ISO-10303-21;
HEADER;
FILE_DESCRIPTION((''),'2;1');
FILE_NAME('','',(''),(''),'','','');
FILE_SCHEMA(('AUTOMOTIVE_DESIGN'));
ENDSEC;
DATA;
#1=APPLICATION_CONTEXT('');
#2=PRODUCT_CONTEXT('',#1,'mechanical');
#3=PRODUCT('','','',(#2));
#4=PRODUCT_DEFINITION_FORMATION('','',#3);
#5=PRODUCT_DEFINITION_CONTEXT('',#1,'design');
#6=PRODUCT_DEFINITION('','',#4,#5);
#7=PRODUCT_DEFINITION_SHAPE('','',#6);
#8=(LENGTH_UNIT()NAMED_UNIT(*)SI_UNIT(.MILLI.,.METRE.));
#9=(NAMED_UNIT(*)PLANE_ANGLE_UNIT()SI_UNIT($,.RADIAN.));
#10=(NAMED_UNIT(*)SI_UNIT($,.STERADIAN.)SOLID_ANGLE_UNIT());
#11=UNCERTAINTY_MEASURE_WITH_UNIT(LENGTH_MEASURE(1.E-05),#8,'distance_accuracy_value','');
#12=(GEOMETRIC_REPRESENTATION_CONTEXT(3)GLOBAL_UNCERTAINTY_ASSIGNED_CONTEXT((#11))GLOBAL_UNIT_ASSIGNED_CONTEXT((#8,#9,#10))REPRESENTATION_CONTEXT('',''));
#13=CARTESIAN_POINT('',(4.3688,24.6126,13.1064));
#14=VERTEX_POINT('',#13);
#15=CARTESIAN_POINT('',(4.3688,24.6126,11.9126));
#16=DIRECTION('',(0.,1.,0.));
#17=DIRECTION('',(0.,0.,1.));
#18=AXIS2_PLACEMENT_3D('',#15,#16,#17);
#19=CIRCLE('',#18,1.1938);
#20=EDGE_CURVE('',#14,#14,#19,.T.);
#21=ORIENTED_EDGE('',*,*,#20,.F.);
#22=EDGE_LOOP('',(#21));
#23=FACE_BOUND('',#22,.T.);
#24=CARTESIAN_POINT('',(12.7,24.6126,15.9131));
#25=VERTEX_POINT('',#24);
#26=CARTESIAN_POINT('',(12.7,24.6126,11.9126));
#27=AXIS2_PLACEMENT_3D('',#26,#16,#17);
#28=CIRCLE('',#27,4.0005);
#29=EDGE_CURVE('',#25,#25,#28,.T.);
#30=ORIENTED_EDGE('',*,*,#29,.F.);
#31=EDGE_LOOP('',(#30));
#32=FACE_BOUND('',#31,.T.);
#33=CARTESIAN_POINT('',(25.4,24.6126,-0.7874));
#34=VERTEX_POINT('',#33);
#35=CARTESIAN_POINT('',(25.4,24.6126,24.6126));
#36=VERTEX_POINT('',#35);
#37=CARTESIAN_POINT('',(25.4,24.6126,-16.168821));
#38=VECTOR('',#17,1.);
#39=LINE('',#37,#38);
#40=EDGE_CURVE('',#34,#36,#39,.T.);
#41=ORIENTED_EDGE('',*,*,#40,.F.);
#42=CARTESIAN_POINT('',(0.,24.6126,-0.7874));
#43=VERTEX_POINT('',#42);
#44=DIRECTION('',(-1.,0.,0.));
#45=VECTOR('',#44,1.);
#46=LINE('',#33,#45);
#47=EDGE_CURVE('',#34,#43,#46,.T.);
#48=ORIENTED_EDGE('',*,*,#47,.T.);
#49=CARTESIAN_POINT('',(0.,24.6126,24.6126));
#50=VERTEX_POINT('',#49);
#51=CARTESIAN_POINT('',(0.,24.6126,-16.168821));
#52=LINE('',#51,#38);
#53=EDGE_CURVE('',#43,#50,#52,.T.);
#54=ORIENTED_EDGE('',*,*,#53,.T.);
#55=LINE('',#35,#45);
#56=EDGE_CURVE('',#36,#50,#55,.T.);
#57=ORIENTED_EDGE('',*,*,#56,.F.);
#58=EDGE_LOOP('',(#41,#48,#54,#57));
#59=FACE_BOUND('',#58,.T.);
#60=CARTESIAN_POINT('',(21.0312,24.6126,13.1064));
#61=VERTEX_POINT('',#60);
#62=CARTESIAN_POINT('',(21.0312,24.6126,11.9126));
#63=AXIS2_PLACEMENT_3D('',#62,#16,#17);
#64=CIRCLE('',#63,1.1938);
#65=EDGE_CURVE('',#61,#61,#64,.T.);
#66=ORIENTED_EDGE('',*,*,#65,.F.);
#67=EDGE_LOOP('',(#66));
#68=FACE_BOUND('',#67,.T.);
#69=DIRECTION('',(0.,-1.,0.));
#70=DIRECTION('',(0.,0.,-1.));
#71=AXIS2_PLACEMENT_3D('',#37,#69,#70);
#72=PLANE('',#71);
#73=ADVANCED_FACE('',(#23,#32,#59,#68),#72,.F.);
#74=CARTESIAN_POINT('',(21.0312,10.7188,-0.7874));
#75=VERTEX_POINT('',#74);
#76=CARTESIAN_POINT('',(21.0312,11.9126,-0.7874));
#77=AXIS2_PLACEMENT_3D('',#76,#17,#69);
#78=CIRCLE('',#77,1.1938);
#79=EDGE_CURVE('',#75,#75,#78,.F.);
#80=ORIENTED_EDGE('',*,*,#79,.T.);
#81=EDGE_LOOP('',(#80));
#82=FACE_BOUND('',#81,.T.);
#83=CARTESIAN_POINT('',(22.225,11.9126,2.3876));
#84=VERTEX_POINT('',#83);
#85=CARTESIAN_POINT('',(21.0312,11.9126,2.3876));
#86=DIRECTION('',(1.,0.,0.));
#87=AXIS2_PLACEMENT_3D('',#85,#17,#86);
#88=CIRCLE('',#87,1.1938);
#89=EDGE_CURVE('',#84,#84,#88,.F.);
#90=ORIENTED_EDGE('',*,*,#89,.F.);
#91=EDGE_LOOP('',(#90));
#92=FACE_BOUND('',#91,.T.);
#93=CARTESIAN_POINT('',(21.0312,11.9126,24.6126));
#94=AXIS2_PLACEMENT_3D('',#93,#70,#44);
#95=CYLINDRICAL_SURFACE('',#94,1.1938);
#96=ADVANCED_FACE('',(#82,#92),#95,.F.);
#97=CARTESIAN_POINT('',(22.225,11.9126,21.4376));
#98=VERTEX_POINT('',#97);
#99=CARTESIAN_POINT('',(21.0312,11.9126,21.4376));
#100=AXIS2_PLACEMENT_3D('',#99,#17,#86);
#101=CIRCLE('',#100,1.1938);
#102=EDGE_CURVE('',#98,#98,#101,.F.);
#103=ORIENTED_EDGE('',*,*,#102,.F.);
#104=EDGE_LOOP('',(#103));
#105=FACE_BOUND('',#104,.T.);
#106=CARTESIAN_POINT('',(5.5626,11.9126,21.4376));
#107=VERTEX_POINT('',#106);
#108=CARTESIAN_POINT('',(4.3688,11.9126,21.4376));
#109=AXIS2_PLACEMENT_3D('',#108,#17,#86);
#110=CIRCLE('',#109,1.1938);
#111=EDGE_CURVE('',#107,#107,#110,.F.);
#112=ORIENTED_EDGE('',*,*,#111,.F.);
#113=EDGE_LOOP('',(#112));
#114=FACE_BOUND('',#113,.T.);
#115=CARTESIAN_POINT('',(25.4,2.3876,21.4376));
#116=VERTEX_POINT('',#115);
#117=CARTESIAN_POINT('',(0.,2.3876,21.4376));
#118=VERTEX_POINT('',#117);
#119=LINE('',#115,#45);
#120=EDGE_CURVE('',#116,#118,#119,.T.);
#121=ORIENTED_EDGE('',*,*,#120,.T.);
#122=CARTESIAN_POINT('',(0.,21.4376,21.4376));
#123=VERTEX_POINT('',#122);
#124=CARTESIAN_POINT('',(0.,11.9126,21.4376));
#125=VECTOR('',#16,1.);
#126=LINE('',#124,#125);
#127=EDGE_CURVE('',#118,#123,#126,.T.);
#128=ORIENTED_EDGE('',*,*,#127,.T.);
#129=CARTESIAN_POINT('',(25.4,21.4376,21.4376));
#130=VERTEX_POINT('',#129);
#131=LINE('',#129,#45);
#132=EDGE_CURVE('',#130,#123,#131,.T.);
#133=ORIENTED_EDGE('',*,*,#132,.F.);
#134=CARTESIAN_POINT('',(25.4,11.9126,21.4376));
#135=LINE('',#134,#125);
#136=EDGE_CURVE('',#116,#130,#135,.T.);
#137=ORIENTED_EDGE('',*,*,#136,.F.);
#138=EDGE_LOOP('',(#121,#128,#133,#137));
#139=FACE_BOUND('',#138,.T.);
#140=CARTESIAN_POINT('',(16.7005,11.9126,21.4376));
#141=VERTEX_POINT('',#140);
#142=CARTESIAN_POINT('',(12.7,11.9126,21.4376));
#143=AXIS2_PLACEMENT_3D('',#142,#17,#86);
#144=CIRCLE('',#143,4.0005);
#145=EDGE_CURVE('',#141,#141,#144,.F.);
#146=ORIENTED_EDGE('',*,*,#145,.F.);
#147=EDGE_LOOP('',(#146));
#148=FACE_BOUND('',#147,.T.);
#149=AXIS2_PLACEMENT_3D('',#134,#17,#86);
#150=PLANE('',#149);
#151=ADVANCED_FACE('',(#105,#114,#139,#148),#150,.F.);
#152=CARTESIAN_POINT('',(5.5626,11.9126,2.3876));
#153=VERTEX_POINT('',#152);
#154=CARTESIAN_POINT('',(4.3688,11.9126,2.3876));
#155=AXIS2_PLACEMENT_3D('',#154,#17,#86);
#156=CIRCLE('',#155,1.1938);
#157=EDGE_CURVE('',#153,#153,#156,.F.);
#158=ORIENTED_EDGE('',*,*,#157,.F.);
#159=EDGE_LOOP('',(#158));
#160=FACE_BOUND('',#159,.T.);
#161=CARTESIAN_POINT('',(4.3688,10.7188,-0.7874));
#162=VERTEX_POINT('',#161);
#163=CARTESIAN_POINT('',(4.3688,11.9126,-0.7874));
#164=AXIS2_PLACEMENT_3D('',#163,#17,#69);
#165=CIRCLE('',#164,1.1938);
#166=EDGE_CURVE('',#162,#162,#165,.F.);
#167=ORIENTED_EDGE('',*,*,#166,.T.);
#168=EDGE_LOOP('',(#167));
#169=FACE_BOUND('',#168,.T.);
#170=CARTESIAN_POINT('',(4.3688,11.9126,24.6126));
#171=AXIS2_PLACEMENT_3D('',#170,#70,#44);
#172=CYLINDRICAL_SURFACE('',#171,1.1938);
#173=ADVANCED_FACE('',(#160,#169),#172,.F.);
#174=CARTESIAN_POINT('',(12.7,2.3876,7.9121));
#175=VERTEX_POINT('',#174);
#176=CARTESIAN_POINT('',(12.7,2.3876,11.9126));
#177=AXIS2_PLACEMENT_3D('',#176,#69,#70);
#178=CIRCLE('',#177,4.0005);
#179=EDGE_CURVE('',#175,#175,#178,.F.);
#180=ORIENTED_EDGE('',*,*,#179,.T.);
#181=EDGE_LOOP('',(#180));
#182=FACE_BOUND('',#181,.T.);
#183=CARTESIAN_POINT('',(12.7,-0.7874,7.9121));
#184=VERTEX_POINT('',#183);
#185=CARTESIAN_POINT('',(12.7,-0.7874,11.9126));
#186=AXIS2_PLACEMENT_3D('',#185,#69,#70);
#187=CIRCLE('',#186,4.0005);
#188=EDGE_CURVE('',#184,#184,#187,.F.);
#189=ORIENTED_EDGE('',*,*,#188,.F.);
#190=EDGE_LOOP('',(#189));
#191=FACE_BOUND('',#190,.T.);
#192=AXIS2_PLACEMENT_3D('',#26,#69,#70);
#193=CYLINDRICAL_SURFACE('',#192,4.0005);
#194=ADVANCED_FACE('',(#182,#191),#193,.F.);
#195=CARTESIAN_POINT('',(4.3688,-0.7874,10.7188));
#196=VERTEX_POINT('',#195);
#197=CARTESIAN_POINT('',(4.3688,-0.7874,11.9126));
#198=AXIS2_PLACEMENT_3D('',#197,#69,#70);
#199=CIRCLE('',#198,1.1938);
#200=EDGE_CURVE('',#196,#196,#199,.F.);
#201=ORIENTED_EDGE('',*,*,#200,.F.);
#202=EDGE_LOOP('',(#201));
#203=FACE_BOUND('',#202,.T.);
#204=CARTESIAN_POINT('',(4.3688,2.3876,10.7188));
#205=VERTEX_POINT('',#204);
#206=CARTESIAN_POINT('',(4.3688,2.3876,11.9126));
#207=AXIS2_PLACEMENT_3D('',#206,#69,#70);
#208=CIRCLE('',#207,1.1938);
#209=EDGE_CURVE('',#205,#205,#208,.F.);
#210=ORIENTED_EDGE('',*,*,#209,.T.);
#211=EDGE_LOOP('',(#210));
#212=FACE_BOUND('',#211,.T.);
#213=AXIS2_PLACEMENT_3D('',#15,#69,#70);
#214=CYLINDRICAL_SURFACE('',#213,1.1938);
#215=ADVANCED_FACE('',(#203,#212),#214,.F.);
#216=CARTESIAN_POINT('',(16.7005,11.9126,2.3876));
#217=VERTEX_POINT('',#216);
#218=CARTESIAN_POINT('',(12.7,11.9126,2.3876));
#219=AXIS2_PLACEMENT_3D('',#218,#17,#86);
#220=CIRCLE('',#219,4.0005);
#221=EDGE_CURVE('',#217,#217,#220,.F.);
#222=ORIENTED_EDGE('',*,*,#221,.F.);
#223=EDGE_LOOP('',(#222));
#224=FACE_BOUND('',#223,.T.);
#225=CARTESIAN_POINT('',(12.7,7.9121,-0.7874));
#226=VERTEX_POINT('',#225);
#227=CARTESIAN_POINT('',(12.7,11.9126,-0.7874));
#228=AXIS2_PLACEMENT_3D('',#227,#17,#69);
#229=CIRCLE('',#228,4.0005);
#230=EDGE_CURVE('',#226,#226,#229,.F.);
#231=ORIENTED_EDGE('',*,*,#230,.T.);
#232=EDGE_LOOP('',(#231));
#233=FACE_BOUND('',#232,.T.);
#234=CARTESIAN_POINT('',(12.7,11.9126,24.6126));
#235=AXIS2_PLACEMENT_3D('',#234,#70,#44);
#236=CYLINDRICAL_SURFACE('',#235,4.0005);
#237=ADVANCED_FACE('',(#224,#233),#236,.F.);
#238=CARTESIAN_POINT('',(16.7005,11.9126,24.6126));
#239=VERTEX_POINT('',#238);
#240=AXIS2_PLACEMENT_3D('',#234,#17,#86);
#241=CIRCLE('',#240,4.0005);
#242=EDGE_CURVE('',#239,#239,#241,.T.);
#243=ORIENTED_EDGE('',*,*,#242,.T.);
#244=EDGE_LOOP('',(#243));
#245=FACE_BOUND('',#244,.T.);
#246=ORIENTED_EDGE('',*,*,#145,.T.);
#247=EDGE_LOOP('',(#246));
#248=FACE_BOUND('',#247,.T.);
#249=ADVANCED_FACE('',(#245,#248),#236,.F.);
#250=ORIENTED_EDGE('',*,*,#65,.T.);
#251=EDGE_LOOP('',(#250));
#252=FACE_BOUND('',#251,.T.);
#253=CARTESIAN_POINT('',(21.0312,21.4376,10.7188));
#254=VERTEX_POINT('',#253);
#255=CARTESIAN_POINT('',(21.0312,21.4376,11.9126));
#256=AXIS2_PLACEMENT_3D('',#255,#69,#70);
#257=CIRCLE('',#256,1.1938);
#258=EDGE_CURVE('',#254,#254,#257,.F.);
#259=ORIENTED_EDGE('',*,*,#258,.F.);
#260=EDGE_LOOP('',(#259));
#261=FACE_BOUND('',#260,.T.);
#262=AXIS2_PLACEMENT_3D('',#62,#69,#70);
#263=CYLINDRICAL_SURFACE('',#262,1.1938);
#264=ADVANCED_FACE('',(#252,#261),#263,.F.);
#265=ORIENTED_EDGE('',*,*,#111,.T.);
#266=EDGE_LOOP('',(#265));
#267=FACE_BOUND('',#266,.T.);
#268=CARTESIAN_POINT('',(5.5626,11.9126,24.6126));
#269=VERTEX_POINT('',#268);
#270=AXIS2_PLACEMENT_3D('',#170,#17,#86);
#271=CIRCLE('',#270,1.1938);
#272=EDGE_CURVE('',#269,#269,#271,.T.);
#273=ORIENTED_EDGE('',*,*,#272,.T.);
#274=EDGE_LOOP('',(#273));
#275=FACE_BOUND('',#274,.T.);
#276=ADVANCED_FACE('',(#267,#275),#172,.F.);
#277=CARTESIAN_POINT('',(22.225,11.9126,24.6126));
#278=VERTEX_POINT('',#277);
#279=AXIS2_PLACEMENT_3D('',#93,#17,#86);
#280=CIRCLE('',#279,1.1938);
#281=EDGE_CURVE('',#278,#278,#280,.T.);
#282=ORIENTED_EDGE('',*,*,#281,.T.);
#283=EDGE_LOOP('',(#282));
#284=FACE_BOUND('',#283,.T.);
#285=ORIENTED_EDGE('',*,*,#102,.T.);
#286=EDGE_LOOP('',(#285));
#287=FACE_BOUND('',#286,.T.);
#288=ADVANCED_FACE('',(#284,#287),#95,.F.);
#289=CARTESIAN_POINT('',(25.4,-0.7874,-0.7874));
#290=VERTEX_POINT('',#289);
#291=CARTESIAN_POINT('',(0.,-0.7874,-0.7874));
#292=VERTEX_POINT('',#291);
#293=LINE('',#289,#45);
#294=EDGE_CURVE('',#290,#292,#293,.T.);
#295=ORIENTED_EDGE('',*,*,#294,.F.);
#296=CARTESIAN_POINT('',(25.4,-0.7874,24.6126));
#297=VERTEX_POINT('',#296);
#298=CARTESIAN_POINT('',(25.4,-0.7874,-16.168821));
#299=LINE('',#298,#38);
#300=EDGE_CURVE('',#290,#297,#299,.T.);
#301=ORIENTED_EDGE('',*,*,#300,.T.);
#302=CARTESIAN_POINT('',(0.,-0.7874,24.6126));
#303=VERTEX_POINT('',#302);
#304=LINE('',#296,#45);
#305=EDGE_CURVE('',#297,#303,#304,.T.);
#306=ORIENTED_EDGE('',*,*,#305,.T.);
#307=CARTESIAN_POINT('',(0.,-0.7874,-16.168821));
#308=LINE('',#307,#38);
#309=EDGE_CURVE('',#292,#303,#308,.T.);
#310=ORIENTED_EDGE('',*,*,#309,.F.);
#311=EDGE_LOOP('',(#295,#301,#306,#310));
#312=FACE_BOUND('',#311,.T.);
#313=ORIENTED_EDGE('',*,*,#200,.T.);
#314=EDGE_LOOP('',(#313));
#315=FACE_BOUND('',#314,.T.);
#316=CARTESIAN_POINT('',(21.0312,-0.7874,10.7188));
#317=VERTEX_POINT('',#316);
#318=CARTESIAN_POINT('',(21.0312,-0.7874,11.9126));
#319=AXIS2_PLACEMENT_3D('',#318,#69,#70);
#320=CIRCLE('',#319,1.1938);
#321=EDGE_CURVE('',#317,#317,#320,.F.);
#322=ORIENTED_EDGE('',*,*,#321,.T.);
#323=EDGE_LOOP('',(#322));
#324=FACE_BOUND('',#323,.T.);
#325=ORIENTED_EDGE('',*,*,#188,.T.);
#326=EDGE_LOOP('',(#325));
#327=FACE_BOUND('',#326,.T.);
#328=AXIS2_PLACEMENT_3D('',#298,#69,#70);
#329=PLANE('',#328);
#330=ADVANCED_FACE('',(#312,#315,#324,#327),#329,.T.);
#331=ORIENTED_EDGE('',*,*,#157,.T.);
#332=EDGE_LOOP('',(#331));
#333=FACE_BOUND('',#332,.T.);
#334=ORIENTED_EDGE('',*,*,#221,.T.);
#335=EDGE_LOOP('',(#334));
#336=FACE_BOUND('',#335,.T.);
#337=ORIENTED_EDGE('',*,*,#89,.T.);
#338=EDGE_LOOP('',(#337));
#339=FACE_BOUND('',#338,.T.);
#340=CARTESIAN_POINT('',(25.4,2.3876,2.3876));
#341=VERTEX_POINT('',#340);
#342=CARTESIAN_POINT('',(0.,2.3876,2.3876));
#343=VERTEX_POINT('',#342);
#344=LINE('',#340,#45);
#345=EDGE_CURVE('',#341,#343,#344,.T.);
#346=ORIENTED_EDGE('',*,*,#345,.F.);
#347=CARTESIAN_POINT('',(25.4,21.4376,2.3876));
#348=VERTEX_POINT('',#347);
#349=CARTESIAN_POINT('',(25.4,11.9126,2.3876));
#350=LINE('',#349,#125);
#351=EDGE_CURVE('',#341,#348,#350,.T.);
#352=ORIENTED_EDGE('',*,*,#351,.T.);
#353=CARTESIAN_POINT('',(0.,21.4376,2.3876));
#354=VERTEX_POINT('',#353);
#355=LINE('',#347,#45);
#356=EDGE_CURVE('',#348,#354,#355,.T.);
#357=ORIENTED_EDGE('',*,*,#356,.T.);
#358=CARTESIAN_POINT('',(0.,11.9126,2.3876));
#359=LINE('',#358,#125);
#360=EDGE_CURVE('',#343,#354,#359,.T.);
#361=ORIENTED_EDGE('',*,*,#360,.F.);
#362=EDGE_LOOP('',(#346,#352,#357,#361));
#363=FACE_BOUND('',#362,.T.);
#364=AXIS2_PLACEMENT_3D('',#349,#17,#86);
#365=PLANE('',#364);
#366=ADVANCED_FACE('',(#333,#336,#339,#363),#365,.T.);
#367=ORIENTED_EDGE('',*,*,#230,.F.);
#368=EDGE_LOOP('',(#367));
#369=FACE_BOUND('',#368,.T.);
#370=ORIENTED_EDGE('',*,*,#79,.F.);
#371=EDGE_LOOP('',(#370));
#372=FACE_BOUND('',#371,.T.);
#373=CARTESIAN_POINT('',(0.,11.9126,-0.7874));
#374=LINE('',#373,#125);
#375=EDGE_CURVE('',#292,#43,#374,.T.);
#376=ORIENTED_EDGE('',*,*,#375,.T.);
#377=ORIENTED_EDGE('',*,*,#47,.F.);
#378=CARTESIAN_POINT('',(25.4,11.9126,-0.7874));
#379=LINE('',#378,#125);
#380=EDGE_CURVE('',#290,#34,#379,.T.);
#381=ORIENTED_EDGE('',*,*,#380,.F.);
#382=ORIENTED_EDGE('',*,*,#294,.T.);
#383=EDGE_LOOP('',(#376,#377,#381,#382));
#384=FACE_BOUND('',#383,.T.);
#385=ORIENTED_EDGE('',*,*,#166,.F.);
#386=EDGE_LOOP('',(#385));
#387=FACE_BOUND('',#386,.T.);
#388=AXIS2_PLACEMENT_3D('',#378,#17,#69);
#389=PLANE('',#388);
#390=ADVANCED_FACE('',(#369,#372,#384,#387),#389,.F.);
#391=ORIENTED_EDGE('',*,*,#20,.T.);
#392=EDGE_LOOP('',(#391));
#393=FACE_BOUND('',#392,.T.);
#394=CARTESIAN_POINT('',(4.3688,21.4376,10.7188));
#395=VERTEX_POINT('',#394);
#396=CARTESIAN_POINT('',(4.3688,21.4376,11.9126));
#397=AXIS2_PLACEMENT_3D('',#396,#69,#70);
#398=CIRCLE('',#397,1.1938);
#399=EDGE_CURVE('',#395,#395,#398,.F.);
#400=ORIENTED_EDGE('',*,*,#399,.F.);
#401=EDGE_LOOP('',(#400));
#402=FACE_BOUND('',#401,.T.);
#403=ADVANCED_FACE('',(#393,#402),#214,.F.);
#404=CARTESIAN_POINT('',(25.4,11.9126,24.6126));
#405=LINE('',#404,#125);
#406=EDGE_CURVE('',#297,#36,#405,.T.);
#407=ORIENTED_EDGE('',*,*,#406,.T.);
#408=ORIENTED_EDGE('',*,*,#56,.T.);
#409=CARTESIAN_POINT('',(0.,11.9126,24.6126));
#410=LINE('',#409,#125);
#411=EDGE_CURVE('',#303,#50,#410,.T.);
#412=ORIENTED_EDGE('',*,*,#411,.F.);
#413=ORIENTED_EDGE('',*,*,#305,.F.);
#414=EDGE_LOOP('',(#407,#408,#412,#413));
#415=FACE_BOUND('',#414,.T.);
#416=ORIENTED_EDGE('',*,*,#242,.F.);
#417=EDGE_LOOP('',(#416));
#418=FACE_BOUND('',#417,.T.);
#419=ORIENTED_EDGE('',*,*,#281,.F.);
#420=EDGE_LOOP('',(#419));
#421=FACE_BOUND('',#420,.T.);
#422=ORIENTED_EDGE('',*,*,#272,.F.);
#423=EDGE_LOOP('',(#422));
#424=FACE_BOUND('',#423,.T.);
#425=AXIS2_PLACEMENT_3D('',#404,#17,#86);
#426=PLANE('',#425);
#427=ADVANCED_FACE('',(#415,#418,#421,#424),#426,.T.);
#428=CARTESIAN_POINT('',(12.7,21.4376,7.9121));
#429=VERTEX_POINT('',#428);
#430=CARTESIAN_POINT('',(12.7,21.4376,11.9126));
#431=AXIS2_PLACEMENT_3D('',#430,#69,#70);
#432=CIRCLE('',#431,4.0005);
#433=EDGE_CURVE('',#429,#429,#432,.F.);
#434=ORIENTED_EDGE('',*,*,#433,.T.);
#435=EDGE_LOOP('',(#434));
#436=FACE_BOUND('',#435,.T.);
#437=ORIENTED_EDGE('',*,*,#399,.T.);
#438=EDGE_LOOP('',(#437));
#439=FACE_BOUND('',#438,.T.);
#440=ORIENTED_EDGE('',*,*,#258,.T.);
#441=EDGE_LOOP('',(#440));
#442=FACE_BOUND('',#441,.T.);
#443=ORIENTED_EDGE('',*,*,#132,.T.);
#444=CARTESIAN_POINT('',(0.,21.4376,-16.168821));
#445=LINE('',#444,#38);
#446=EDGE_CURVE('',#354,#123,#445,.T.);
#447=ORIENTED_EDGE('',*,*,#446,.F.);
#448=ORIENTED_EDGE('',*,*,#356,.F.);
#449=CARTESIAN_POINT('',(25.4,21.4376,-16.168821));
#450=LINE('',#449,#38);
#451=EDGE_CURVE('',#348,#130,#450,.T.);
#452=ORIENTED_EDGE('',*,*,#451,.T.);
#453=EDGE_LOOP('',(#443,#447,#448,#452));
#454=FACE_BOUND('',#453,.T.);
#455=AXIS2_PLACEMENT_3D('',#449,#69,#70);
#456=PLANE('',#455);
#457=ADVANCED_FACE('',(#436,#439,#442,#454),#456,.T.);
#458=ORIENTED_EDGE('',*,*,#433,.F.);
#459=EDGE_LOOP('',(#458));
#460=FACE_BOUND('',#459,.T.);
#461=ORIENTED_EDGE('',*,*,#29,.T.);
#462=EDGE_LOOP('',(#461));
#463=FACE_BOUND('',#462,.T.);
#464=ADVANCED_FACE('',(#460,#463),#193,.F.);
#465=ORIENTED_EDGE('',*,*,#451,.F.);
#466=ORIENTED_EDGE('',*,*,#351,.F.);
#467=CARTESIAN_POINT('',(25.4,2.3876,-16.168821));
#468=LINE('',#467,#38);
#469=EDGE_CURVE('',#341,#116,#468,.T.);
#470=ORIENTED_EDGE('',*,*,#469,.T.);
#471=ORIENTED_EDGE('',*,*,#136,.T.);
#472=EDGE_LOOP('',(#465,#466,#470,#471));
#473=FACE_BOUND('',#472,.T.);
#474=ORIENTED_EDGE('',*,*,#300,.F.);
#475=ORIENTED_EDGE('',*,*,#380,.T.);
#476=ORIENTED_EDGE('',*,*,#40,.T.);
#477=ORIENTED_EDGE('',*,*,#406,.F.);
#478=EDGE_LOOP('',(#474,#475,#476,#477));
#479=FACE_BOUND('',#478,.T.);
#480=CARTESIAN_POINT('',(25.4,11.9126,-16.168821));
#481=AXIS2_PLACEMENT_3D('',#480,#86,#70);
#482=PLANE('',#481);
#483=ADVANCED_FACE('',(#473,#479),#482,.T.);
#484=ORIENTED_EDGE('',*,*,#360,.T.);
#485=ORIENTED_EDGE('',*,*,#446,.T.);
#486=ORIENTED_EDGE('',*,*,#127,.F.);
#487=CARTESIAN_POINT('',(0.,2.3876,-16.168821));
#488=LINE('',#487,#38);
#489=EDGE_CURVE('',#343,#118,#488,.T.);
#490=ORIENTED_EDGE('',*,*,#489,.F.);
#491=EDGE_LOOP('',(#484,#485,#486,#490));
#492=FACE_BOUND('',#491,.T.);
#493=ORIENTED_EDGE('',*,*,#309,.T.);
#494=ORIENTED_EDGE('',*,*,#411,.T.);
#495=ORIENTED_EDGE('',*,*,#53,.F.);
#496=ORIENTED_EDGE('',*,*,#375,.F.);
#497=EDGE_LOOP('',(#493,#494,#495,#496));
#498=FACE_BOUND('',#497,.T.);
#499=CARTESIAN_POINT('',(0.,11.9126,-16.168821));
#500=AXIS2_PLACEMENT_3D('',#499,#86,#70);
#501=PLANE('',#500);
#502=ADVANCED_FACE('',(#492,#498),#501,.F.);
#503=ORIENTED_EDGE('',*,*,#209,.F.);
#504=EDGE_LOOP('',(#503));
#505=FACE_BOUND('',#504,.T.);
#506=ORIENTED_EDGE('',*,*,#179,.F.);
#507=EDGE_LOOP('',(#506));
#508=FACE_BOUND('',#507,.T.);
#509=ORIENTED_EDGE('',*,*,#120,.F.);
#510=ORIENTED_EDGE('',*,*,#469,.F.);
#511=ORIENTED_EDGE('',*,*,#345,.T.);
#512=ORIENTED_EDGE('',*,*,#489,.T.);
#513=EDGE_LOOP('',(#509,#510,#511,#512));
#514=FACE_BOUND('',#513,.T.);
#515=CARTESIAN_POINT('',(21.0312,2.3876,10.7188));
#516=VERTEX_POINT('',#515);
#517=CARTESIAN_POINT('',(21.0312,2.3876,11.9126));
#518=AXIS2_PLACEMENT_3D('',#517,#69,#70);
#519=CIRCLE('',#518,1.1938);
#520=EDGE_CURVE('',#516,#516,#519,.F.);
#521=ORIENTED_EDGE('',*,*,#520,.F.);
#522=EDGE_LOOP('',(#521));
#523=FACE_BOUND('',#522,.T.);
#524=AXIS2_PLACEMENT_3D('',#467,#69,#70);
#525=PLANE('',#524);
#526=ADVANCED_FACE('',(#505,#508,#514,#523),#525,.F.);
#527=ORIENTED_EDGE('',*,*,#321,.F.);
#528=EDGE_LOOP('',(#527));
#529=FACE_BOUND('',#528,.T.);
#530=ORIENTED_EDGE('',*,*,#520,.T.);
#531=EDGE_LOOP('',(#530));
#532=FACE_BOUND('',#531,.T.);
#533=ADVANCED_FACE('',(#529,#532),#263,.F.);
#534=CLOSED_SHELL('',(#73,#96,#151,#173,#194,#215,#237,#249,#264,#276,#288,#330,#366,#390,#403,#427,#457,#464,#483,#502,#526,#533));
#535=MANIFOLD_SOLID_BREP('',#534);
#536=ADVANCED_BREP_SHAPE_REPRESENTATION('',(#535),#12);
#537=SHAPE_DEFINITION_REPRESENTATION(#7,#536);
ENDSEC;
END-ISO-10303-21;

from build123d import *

# Parameters (mm, degrees)
SKETCH1_W               = 25.4
SKETCH1_H               = 25.4
SKETCH1_W_2             = 19.05
SKETCH1_H_2             = 19.05
EXTRUDE1_DEPTH          = 25.4
SKETCH3_R               = 4.0005
SKETCH3_R_2             = 1.1938
CUT_EXTRUDE1_DEPTH      = 25.6126
CUT_EXTRUDE1_DEPTH_BACK = 25.4
SKETCH2_R               = 1.1938
SKETCH2_R_2             = 4.0005
CUT_EXTRUDE2_DEPTH      = 25.6126
CUT_EXTRUDE2_DEPTH_BACK = 25.4


with BuildPart() as part:
    # Sketch1 → Extrude1 (new body)
    with BuildSketch(Plane(origin=(0, 0, 0), x_dir=(0, 0, -1), z_dir=(1, 0, 0))):
        with Locations((-11.9126, 11.9126)):
            Rectangle(SKETCH1_W, SKETCH1_H)
        with Locations((-11.9126, 11.9126)):
            Rectangle(SKETCH1_W_2, SKETCH1_H_2, mode=Mode.SUBTRACT)
    extrude(amount=EXTRUDE1_DEPTH)

    # Sketch3 → Cut-Extrude1 (cut, two sides)
    with BuildSketch(Plane(origin=(0, 0, 0), x_dir=(1, 0, 0), z_dir=(0, 1, 0))) as cut_extrude1_sk:
        with Locations(Location((12.7, -11.9126, 0), (0, 0, 90))):  # turned: the seam where the file's is
            Circle(SKETCH3_R)
        with Locations(Location((4.3688, -11.9126, 0), (0, 0, 90))):  # turned: the seam where the file's is
            Circle(SKETCH3_R_2)
        with Locations(Location((21.0312, -11.9126, 0), (0, 0, 90))):  # turned: the seam where the file's is
            Circle(SKETCH3_R_2)
    extrude(amount=CUT_EXTRUDE1_DEPTH, mode=Mode.SUBTRACT)
    extrude(cut_extrude1_sk.sketch, amount=-CUT_EXTRUDE1_DEPTH_BACK, mode=Mode.SUBTRACT)

    # Sketch2 → Cut-Extrude2 (cut, two sides)
    with BuildSketch(Plane.XY) as cut_extrude2_sk:
        with Locations((4.3688, 11.9126)):
            Circle(SKETCH2_R)
        with Locations((21.0312, 11.9126)):
            Circle(SKETCH2_R)
        with Locations((12.7, 11.9126)):
            Circle(SKETCH2_R_2)
    extrude(amount=CUT_EXTRUDE2_DEPTH, mode=Mode.SUBTRACT)
    extrude(cut_extrude2_sk.sketch, amount=-CUT_EXTRUDE2_DEPTH_BACK, mode=Mode.SUBTRACT)


solid = part.part
